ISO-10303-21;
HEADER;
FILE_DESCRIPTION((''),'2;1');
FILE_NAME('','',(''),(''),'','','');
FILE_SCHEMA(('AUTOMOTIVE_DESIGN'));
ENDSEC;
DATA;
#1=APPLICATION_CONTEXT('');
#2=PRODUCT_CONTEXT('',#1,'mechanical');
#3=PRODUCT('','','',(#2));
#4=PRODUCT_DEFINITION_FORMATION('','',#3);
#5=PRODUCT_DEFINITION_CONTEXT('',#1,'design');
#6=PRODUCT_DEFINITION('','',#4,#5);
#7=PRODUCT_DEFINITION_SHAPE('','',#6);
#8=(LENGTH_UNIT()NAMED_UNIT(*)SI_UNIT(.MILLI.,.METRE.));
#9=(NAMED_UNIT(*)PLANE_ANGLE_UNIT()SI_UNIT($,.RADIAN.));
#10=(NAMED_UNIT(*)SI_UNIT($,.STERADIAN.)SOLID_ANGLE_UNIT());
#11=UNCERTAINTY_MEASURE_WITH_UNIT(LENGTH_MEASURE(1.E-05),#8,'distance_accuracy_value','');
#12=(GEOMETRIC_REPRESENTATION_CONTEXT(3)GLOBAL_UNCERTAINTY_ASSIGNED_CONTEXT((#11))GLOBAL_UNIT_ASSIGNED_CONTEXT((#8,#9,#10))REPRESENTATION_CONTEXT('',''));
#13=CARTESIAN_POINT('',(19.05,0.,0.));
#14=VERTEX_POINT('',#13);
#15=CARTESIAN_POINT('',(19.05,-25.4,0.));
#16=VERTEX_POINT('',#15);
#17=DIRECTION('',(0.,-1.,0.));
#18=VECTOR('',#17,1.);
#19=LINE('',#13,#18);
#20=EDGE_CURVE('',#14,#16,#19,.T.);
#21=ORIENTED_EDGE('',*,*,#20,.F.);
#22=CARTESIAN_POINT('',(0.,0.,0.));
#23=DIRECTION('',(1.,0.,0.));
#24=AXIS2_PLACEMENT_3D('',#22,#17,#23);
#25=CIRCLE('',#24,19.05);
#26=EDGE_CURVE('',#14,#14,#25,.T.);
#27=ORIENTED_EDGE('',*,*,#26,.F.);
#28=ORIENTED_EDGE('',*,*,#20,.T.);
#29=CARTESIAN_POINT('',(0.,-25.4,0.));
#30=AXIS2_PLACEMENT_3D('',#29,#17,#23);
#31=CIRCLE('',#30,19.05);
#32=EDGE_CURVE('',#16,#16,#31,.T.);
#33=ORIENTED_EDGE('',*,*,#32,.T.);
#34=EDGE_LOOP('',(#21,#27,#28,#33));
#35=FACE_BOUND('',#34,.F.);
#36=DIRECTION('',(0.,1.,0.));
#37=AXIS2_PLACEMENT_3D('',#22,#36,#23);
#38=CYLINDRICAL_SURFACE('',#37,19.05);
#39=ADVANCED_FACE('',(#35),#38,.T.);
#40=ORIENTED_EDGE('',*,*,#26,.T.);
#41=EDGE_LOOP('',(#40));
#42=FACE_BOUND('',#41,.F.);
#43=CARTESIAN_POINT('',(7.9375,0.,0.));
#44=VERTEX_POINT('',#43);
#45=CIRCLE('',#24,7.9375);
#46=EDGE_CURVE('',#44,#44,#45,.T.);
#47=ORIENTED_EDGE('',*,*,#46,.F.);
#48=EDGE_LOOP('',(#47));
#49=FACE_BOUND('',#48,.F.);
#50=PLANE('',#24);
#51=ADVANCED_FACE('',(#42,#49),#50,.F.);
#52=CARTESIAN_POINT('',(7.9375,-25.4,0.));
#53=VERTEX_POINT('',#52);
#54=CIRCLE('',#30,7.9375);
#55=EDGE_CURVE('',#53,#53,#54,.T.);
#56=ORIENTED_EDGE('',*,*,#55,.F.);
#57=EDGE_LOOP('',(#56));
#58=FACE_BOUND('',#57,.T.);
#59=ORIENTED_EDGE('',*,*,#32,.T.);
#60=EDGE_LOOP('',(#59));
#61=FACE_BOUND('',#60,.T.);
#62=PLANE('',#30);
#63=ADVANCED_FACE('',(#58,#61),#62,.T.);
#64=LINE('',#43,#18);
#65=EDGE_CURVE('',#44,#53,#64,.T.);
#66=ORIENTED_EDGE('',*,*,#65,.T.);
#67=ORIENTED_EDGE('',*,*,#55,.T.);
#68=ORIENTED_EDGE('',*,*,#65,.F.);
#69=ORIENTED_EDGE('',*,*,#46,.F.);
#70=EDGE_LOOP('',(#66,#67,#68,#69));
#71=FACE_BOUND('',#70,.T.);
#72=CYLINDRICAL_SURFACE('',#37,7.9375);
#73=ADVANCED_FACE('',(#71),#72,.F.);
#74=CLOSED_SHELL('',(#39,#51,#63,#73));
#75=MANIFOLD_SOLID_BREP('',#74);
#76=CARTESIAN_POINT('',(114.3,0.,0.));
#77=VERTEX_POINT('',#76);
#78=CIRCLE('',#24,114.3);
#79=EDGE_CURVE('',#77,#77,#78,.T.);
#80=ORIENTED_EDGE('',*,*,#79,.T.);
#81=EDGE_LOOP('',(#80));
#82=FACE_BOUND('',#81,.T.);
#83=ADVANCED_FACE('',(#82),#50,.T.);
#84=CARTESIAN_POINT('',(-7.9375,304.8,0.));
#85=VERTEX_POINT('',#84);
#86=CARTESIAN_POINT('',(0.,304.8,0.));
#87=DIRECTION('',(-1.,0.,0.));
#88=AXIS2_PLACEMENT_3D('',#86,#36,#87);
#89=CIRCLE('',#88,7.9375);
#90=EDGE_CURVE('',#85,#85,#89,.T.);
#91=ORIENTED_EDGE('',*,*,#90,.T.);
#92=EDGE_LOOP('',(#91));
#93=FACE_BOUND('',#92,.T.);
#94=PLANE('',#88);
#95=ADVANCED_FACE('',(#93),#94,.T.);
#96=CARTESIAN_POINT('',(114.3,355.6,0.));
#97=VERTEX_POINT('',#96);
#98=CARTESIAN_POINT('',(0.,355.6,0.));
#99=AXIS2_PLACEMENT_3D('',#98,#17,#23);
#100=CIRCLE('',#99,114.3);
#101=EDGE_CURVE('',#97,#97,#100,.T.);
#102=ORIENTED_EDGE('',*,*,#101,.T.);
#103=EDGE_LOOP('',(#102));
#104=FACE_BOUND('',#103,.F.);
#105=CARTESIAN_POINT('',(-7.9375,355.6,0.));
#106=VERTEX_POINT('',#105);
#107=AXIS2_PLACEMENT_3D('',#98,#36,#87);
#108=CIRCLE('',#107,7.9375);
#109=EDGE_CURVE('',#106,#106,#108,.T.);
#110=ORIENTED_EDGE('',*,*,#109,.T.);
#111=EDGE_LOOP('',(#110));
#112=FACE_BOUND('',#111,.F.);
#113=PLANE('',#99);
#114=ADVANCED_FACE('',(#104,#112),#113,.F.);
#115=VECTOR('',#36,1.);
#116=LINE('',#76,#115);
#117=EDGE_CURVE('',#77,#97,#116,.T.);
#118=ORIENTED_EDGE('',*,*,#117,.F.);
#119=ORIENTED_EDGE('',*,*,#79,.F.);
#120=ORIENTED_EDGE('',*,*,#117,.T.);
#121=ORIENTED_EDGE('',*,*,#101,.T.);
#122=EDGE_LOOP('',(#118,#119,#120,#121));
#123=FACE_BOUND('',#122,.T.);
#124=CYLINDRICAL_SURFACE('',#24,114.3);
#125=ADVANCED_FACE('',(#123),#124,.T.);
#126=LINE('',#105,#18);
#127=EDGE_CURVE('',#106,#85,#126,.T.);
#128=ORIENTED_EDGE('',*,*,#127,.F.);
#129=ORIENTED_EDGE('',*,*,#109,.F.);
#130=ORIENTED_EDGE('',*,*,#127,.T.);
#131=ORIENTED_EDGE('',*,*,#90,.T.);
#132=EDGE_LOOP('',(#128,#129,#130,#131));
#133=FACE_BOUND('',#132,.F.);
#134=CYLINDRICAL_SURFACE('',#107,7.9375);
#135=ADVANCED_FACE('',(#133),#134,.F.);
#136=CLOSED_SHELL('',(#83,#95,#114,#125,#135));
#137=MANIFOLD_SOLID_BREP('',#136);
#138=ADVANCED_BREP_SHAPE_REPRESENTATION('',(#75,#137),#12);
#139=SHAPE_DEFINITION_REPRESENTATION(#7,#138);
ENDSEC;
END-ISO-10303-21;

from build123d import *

# Parameters (mm, degrees)
F0_R     = 19.05
F0_R_2   = 7.9375
F1_DEPTH = 25.4
F2_R     = 114.3
F3_DEPTH = 355.6
F4_R     = 7.9375
F5_DEPTH = 50.8
F6_R     = 114.3
F7_DEPTH = 50.8


with BuildPart() as f1:
    # F0 (on Front) → F1 (new body)
    with BuildSketch(Plane.XZ):
        Circle(F0_R)
        Circle(F0_R_2, mode=Mode.SUBTRACT)
    extrude(amount=F1_DEPTH)


with BuildPart() as f3:
    # F2 (on Front) → F3 (new body)
    with BuildSketch(Plane.XZ):
        Circle(F2_R)
    extrude(amount=-F3_DEPTH)

    # F4 (on face) → F5 (cut)
    with BuildSketch(Plane(origin=(0, 355.6, 0), x_dir=(-1, 0, 0), z_dir=(0, 1, 0))):
        Circle(F4_R)
    extrude(amount=-F5_DEPTH, mode=Mode.SUBTRACT)


with BuildPart() as f7:
    # F6 (on face) → F7 (new body)
    with BuildSketch(Plane(origin=(0, 355.6, 0), x_dir=(-1, 0, 0), z_dir=(0, 1, 0))):
        Circle(F6_R)
    extrude(amount=F7_DEPTH)


solid = Compound([f1.part, f3.part])
